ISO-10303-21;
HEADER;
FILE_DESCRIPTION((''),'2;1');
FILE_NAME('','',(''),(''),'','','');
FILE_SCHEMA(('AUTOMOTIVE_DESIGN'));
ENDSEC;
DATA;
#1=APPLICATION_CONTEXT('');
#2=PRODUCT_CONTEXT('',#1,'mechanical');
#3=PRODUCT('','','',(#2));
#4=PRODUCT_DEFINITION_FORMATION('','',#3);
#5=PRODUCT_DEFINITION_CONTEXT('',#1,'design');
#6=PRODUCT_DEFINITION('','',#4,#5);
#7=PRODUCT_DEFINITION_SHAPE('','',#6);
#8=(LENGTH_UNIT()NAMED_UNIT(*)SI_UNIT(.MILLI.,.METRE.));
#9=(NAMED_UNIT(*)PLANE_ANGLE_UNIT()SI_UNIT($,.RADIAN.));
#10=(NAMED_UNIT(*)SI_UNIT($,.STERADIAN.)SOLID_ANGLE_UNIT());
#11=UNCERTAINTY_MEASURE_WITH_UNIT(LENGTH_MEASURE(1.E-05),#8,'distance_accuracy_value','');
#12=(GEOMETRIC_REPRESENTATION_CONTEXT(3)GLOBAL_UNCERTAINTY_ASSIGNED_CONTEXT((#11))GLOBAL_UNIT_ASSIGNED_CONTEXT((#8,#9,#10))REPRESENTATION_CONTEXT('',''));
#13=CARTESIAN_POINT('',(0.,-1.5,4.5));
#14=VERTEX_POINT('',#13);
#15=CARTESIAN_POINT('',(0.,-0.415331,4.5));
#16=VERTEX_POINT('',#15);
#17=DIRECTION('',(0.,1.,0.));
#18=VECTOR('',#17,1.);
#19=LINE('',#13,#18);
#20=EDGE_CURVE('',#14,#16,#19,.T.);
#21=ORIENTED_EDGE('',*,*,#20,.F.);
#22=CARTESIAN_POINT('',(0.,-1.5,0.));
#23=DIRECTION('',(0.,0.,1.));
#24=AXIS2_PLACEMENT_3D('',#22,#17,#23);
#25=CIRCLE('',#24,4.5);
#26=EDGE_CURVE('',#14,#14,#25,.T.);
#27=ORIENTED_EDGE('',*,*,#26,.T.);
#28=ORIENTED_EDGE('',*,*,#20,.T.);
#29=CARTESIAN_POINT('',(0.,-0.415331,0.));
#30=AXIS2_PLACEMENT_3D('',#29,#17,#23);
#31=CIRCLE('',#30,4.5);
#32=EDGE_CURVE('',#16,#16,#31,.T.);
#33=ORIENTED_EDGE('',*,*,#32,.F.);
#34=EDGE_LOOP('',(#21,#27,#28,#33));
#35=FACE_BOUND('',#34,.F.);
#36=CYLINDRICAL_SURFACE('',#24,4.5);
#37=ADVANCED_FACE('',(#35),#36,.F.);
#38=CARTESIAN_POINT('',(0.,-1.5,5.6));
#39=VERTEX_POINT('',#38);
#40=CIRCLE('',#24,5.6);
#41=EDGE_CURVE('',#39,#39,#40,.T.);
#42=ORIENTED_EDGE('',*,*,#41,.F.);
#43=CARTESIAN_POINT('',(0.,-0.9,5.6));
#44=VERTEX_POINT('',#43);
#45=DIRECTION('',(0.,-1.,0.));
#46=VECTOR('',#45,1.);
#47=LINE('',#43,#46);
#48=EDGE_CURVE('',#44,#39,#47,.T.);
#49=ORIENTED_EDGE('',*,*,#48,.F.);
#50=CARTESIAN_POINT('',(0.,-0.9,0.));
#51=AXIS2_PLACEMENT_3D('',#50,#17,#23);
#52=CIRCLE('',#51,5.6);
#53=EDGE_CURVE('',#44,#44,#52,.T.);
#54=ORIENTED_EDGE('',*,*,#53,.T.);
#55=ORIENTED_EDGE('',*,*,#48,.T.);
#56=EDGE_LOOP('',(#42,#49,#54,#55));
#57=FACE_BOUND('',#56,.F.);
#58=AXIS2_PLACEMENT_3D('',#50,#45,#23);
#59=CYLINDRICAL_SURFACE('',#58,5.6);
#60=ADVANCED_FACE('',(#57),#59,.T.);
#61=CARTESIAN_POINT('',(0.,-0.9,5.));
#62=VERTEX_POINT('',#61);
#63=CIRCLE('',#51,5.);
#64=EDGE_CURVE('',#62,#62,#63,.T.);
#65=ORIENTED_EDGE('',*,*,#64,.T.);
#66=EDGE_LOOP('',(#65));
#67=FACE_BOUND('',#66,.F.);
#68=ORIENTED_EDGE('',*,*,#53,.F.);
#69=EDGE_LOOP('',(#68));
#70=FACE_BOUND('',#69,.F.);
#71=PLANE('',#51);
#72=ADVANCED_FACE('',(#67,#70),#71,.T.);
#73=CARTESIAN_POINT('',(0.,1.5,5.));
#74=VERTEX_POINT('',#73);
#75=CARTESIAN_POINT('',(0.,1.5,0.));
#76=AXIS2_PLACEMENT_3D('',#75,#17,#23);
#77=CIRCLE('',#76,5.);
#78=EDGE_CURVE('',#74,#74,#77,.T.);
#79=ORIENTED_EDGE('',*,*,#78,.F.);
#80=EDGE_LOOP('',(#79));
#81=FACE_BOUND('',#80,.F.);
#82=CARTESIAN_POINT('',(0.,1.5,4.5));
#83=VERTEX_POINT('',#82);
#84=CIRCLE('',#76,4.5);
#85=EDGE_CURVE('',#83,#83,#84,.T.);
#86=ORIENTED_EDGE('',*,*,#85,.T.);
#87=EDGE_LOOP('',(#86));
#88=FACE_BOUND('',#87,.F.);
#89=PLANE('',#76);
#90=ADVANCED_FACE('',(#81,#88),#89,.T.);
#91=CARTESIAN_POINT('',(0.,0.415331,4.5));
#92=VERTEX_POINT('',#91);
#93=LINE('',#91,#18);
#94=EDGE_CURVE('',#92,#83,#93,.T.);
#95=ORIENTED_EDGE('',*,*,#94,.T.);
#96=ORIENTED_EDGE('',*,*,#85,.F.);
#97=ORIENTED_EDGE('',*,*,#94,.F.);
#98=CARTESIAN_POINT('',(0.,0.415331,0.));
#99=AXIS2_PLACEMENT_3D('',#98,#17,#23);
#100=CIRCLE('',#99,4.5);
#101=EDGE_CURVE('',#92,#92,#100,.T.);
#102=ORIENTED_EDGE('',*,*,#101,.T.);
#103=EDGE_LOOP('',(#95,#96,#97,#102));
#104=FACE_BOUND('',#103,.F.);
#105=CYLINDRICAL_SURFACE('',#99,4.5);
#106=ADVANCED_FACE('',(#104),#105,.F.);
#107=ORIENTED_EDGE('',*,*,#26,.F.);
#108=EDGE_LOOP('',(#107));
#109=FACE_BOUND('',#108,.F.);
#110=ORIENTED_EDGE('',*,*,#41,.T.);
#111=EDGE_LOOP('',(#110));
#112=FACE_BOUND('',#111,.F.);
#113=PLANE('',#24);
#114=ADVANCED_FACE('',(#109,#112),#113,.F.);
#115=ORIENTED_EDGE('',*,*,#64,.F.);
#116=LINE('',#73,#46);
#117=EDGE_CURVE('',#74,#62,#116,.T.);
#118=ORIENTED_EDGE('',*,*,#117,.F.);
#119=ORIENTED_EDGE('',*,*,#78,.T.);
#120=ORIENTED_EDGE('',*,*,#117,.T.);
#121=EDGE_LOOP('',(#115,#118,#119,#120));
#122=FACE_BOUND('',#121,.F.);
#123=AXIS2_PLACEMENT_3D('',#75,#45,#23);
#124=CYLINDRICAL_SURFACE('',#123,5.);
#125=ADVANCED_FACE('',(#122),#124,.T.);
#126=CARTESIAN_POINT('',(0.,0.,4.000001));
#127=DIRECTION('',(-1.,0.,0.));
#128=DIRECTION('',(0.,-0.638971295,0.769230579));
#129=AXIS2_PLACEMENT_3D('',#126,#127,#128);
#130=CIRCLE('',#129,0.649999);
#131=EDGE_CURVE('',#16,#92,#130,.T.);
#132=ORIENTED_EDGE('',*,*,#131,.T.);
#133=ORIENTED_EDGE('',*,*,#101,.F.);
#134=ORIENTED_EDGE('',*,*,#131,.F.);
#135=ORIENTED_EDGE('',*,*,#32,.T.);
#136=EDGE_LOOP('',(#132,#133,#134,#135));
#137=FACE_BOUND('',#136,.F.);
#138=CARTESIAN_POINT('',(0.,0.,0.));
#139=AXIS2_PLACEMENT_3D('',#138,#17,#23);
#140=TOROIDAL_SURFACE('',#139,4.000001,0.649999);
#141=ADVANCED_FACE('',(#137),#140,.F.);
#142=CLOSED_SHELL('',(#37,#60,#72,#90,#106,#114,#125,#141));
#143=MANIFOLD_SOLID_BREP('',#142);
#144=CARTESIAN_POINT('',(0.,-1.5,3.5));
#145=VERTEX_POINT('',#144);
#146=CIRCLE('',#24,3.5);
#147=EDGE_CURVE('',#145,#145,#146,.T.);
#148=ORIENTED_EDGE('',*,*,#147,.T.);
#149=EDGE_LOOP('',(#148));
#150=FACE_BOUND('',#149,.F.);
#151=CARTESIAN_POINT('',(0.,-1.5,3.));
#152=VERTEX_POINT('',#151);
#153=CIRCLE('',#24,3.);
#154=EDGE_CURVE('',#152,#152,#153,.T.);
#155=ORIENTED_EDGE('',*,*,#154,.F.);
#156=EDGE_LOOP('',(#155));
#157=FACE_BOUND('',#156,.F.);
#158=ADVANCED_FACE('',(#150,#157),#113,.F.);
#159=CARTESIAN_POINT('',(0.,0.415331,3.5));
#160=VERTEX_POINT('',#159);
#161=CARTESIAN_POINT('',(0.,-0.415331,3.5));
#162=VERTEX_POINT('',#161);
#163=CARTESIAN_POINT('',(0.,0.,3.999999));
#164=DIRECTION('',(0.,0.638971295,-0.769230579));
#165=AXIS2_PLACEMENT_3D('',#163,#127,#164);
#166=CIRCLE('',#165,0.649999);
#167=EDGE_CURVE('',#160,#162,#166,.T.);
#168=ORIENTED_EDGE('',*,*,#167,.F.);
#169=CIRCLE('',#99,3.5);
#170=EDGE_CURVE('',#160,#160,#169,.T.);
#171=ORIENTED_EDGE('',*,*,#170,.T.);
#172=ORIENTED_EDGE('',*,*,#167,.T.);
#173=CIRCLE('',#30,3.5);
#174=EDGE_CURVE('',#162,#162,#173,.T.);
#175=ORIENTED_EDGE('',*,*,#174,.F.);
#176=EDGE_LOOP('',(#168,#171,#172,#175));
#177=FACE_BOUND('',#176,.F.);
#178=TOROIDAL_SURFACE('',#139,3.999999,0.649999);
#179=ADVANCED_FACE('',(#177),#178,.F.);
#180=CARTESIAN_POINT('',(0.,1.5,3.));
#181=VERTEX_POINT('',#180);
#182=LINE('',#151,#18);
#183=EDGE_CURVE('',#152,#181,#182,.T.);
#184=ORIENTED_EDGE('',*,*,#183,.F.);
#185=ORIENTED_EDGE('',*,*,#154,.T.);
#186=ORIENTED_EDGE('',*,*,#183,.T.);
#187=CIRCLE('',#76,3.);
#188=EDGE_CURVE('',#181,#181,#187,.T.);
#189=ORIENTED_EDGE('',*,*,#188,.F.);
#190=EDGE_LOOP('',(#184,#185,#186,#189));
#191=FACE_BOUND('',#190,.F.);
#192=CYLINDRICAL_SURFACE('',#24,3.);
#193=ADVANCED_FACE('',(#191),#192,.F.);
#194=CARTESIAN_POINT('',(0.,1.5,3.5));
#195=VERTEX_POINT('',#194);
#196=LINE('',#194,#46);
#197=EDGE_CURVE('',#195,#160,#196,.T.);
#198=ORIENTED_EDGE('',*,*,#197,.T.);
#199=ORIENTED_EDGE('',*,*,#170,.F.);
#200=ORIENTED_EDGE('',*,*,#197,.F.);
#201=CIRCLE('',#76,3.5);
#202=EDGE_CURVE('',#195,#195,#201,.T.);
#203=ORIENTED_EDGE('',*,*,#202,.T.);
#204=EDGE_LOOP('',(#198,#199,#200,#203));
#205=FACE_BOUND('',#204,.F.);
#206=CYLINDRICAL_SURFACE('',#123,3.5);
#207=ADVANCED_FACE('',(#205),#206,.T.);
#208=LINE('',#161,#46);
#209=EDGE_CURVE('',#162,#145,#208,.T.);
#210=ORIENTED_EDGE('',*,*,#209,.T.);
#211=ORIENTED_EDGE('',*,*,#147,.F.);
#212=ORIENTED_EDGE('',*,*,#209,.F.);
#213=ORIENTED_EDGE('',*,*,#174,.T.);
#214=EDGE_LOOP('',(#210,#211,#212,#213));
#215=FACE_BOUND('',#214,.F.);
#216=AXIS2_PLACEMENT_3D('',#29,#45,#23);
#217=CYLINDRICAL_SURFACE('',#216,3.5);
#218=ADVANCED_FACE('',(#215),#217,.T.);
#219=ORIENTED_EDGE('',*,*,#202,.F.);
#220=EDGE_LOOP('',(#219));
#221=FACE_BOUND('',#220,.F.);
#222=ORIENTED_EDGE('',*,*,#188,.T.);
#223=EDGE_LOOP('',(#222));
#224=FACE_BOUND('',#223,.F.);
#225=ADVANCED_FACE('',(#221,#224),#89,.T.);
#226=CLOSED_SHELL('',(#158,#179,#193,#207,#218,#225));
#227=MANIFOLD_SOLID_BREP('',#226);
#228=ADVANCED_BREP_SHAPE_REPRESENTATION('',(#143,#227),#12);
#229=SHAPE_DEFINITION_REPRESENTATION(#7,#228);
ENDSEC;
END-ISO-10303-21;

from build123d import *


with BuildPart() as f1:
    # F0 (on Right) → F1 (revolve)
    with BuildSketch(Plane.YZ):
        with BuildLine():
            Line((-0.415331, 3.5), (-1.5, 3.5))
            Line((-1.5, 3.5), (-1.5, 3))
            Line((-1.5, 3), (1.5, 3))
            Line((1.5, 3), (1.5, 3.5))
            Line((1.5, 3.5), (0.415331, 3.5))
            ThreePointArc((0.415331, 3.5), (0, 3.35), (-0.415331, 3.5))
        make_face()
        with BuildLine():
            Line((-0.9, 5.6), (-1.5, 5.6))
            Line((-1.5, 5.6), (-1.5, 4.5))
            Line((-1.5, 4.5), (-0.415331, 4.5))
            ThreePointArc((-0.415331, 4.5), (0, 4.65), (0.415331, 4.5))
            Line((0.415331, 4.5), (1.5, 4.5))
            Line((1.5, 4.5), (1.5, 5))
            Line((1.5, 5), (-0.9, 5))
            Line((-0.9, 5), (-0.9, 5.6))
        make_face()
    revolve(axis=Axis((0, 0, 0), (0, 1, 0)))


solid = f1.part
